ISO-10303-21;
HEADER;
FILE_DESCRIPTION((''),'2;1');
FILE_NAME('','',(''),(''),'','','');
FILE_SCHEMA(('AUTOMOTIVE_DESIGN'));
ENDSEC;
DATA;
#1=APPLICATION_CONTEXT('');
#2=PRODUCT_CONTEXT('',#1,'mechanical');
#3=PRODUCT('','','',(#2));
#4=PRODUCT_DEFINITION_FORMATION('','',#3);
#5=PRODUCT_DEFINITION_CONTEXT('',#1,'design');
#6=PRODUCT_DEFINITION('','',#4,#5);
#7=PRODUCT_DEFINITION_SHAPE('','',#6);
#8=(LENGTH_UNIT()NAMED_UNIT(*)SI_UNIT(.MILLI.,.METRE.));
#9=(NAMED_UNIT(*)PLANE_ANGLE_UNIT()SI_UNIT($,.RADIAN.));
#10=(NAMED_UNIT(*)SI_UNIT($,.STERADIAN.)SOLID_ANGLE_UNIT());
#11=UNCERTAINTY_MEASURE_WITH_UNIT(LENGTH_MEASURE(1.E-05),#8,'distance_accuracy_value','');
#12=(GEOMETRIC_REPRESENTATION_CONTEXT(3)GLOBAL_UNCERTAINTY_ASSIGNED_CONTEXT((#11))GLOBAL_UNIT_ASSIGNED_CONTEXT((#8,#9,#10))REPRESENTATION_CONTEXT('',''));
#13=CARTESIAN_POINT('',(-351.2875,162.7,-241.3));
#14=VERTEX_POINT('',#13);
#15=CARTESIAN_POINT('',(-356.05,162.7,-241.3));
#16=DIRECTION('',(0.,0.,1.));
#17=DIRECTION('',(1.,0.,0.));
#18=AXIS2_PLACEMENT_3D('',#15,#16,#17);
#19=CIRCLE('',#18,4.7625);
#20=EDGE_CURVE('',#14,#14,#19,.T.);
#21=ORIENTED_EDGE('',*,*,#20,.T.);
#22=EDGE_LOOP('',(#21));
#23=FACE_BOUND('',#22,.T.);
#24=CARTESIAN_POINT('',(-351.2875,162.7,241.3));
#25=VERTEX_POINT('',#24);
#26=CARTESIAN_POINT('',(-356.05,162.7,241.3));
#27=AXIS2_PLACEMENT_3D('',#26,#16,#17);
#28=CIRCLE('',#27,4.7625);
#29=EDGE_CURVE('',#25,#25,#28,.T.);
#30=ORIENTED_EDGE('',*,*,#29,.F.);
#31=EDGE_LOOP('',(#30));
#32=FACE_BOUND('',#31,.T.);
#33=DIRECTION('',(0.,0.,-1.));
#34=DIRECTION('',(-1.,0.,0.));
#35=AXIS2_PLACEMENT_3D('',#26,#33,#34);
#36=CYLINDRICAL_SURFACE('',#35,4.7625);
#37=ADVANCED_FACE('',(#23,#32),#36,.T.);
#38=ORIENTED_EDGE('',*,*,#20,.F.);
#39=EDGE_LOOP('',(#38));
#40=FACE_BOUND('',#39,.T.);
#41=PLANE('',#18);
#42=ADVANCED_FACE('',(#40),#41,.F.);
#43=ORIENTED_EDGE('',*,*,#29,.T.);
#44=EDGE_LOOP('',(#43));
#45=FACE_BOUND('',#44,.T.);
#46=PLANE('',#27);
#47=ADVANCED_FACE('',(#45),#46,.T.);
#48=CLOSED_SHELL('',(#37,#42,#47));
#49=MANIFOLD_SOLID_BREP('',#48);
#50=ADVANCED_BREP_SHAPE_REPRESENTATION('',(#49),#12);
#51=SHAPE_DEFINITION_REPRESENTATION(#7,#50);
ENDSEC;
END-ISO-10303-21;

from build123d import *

# Parameters (mm, degrees)
SKETCH1_R      = 4.7625
EXTRUDE1_DEPTH = 241.3


with BuildPart() as part:
    # Sketch1 → Extrude1 (new body, symmetric)
    with BuildSketch(Plane.XY):
        with Locations((-356.05, 162.7)):
            Circle(SKETCH1_R)
    extrude(amount=EXTRUDE1_DEPTH, both=True)


solid = part.part
